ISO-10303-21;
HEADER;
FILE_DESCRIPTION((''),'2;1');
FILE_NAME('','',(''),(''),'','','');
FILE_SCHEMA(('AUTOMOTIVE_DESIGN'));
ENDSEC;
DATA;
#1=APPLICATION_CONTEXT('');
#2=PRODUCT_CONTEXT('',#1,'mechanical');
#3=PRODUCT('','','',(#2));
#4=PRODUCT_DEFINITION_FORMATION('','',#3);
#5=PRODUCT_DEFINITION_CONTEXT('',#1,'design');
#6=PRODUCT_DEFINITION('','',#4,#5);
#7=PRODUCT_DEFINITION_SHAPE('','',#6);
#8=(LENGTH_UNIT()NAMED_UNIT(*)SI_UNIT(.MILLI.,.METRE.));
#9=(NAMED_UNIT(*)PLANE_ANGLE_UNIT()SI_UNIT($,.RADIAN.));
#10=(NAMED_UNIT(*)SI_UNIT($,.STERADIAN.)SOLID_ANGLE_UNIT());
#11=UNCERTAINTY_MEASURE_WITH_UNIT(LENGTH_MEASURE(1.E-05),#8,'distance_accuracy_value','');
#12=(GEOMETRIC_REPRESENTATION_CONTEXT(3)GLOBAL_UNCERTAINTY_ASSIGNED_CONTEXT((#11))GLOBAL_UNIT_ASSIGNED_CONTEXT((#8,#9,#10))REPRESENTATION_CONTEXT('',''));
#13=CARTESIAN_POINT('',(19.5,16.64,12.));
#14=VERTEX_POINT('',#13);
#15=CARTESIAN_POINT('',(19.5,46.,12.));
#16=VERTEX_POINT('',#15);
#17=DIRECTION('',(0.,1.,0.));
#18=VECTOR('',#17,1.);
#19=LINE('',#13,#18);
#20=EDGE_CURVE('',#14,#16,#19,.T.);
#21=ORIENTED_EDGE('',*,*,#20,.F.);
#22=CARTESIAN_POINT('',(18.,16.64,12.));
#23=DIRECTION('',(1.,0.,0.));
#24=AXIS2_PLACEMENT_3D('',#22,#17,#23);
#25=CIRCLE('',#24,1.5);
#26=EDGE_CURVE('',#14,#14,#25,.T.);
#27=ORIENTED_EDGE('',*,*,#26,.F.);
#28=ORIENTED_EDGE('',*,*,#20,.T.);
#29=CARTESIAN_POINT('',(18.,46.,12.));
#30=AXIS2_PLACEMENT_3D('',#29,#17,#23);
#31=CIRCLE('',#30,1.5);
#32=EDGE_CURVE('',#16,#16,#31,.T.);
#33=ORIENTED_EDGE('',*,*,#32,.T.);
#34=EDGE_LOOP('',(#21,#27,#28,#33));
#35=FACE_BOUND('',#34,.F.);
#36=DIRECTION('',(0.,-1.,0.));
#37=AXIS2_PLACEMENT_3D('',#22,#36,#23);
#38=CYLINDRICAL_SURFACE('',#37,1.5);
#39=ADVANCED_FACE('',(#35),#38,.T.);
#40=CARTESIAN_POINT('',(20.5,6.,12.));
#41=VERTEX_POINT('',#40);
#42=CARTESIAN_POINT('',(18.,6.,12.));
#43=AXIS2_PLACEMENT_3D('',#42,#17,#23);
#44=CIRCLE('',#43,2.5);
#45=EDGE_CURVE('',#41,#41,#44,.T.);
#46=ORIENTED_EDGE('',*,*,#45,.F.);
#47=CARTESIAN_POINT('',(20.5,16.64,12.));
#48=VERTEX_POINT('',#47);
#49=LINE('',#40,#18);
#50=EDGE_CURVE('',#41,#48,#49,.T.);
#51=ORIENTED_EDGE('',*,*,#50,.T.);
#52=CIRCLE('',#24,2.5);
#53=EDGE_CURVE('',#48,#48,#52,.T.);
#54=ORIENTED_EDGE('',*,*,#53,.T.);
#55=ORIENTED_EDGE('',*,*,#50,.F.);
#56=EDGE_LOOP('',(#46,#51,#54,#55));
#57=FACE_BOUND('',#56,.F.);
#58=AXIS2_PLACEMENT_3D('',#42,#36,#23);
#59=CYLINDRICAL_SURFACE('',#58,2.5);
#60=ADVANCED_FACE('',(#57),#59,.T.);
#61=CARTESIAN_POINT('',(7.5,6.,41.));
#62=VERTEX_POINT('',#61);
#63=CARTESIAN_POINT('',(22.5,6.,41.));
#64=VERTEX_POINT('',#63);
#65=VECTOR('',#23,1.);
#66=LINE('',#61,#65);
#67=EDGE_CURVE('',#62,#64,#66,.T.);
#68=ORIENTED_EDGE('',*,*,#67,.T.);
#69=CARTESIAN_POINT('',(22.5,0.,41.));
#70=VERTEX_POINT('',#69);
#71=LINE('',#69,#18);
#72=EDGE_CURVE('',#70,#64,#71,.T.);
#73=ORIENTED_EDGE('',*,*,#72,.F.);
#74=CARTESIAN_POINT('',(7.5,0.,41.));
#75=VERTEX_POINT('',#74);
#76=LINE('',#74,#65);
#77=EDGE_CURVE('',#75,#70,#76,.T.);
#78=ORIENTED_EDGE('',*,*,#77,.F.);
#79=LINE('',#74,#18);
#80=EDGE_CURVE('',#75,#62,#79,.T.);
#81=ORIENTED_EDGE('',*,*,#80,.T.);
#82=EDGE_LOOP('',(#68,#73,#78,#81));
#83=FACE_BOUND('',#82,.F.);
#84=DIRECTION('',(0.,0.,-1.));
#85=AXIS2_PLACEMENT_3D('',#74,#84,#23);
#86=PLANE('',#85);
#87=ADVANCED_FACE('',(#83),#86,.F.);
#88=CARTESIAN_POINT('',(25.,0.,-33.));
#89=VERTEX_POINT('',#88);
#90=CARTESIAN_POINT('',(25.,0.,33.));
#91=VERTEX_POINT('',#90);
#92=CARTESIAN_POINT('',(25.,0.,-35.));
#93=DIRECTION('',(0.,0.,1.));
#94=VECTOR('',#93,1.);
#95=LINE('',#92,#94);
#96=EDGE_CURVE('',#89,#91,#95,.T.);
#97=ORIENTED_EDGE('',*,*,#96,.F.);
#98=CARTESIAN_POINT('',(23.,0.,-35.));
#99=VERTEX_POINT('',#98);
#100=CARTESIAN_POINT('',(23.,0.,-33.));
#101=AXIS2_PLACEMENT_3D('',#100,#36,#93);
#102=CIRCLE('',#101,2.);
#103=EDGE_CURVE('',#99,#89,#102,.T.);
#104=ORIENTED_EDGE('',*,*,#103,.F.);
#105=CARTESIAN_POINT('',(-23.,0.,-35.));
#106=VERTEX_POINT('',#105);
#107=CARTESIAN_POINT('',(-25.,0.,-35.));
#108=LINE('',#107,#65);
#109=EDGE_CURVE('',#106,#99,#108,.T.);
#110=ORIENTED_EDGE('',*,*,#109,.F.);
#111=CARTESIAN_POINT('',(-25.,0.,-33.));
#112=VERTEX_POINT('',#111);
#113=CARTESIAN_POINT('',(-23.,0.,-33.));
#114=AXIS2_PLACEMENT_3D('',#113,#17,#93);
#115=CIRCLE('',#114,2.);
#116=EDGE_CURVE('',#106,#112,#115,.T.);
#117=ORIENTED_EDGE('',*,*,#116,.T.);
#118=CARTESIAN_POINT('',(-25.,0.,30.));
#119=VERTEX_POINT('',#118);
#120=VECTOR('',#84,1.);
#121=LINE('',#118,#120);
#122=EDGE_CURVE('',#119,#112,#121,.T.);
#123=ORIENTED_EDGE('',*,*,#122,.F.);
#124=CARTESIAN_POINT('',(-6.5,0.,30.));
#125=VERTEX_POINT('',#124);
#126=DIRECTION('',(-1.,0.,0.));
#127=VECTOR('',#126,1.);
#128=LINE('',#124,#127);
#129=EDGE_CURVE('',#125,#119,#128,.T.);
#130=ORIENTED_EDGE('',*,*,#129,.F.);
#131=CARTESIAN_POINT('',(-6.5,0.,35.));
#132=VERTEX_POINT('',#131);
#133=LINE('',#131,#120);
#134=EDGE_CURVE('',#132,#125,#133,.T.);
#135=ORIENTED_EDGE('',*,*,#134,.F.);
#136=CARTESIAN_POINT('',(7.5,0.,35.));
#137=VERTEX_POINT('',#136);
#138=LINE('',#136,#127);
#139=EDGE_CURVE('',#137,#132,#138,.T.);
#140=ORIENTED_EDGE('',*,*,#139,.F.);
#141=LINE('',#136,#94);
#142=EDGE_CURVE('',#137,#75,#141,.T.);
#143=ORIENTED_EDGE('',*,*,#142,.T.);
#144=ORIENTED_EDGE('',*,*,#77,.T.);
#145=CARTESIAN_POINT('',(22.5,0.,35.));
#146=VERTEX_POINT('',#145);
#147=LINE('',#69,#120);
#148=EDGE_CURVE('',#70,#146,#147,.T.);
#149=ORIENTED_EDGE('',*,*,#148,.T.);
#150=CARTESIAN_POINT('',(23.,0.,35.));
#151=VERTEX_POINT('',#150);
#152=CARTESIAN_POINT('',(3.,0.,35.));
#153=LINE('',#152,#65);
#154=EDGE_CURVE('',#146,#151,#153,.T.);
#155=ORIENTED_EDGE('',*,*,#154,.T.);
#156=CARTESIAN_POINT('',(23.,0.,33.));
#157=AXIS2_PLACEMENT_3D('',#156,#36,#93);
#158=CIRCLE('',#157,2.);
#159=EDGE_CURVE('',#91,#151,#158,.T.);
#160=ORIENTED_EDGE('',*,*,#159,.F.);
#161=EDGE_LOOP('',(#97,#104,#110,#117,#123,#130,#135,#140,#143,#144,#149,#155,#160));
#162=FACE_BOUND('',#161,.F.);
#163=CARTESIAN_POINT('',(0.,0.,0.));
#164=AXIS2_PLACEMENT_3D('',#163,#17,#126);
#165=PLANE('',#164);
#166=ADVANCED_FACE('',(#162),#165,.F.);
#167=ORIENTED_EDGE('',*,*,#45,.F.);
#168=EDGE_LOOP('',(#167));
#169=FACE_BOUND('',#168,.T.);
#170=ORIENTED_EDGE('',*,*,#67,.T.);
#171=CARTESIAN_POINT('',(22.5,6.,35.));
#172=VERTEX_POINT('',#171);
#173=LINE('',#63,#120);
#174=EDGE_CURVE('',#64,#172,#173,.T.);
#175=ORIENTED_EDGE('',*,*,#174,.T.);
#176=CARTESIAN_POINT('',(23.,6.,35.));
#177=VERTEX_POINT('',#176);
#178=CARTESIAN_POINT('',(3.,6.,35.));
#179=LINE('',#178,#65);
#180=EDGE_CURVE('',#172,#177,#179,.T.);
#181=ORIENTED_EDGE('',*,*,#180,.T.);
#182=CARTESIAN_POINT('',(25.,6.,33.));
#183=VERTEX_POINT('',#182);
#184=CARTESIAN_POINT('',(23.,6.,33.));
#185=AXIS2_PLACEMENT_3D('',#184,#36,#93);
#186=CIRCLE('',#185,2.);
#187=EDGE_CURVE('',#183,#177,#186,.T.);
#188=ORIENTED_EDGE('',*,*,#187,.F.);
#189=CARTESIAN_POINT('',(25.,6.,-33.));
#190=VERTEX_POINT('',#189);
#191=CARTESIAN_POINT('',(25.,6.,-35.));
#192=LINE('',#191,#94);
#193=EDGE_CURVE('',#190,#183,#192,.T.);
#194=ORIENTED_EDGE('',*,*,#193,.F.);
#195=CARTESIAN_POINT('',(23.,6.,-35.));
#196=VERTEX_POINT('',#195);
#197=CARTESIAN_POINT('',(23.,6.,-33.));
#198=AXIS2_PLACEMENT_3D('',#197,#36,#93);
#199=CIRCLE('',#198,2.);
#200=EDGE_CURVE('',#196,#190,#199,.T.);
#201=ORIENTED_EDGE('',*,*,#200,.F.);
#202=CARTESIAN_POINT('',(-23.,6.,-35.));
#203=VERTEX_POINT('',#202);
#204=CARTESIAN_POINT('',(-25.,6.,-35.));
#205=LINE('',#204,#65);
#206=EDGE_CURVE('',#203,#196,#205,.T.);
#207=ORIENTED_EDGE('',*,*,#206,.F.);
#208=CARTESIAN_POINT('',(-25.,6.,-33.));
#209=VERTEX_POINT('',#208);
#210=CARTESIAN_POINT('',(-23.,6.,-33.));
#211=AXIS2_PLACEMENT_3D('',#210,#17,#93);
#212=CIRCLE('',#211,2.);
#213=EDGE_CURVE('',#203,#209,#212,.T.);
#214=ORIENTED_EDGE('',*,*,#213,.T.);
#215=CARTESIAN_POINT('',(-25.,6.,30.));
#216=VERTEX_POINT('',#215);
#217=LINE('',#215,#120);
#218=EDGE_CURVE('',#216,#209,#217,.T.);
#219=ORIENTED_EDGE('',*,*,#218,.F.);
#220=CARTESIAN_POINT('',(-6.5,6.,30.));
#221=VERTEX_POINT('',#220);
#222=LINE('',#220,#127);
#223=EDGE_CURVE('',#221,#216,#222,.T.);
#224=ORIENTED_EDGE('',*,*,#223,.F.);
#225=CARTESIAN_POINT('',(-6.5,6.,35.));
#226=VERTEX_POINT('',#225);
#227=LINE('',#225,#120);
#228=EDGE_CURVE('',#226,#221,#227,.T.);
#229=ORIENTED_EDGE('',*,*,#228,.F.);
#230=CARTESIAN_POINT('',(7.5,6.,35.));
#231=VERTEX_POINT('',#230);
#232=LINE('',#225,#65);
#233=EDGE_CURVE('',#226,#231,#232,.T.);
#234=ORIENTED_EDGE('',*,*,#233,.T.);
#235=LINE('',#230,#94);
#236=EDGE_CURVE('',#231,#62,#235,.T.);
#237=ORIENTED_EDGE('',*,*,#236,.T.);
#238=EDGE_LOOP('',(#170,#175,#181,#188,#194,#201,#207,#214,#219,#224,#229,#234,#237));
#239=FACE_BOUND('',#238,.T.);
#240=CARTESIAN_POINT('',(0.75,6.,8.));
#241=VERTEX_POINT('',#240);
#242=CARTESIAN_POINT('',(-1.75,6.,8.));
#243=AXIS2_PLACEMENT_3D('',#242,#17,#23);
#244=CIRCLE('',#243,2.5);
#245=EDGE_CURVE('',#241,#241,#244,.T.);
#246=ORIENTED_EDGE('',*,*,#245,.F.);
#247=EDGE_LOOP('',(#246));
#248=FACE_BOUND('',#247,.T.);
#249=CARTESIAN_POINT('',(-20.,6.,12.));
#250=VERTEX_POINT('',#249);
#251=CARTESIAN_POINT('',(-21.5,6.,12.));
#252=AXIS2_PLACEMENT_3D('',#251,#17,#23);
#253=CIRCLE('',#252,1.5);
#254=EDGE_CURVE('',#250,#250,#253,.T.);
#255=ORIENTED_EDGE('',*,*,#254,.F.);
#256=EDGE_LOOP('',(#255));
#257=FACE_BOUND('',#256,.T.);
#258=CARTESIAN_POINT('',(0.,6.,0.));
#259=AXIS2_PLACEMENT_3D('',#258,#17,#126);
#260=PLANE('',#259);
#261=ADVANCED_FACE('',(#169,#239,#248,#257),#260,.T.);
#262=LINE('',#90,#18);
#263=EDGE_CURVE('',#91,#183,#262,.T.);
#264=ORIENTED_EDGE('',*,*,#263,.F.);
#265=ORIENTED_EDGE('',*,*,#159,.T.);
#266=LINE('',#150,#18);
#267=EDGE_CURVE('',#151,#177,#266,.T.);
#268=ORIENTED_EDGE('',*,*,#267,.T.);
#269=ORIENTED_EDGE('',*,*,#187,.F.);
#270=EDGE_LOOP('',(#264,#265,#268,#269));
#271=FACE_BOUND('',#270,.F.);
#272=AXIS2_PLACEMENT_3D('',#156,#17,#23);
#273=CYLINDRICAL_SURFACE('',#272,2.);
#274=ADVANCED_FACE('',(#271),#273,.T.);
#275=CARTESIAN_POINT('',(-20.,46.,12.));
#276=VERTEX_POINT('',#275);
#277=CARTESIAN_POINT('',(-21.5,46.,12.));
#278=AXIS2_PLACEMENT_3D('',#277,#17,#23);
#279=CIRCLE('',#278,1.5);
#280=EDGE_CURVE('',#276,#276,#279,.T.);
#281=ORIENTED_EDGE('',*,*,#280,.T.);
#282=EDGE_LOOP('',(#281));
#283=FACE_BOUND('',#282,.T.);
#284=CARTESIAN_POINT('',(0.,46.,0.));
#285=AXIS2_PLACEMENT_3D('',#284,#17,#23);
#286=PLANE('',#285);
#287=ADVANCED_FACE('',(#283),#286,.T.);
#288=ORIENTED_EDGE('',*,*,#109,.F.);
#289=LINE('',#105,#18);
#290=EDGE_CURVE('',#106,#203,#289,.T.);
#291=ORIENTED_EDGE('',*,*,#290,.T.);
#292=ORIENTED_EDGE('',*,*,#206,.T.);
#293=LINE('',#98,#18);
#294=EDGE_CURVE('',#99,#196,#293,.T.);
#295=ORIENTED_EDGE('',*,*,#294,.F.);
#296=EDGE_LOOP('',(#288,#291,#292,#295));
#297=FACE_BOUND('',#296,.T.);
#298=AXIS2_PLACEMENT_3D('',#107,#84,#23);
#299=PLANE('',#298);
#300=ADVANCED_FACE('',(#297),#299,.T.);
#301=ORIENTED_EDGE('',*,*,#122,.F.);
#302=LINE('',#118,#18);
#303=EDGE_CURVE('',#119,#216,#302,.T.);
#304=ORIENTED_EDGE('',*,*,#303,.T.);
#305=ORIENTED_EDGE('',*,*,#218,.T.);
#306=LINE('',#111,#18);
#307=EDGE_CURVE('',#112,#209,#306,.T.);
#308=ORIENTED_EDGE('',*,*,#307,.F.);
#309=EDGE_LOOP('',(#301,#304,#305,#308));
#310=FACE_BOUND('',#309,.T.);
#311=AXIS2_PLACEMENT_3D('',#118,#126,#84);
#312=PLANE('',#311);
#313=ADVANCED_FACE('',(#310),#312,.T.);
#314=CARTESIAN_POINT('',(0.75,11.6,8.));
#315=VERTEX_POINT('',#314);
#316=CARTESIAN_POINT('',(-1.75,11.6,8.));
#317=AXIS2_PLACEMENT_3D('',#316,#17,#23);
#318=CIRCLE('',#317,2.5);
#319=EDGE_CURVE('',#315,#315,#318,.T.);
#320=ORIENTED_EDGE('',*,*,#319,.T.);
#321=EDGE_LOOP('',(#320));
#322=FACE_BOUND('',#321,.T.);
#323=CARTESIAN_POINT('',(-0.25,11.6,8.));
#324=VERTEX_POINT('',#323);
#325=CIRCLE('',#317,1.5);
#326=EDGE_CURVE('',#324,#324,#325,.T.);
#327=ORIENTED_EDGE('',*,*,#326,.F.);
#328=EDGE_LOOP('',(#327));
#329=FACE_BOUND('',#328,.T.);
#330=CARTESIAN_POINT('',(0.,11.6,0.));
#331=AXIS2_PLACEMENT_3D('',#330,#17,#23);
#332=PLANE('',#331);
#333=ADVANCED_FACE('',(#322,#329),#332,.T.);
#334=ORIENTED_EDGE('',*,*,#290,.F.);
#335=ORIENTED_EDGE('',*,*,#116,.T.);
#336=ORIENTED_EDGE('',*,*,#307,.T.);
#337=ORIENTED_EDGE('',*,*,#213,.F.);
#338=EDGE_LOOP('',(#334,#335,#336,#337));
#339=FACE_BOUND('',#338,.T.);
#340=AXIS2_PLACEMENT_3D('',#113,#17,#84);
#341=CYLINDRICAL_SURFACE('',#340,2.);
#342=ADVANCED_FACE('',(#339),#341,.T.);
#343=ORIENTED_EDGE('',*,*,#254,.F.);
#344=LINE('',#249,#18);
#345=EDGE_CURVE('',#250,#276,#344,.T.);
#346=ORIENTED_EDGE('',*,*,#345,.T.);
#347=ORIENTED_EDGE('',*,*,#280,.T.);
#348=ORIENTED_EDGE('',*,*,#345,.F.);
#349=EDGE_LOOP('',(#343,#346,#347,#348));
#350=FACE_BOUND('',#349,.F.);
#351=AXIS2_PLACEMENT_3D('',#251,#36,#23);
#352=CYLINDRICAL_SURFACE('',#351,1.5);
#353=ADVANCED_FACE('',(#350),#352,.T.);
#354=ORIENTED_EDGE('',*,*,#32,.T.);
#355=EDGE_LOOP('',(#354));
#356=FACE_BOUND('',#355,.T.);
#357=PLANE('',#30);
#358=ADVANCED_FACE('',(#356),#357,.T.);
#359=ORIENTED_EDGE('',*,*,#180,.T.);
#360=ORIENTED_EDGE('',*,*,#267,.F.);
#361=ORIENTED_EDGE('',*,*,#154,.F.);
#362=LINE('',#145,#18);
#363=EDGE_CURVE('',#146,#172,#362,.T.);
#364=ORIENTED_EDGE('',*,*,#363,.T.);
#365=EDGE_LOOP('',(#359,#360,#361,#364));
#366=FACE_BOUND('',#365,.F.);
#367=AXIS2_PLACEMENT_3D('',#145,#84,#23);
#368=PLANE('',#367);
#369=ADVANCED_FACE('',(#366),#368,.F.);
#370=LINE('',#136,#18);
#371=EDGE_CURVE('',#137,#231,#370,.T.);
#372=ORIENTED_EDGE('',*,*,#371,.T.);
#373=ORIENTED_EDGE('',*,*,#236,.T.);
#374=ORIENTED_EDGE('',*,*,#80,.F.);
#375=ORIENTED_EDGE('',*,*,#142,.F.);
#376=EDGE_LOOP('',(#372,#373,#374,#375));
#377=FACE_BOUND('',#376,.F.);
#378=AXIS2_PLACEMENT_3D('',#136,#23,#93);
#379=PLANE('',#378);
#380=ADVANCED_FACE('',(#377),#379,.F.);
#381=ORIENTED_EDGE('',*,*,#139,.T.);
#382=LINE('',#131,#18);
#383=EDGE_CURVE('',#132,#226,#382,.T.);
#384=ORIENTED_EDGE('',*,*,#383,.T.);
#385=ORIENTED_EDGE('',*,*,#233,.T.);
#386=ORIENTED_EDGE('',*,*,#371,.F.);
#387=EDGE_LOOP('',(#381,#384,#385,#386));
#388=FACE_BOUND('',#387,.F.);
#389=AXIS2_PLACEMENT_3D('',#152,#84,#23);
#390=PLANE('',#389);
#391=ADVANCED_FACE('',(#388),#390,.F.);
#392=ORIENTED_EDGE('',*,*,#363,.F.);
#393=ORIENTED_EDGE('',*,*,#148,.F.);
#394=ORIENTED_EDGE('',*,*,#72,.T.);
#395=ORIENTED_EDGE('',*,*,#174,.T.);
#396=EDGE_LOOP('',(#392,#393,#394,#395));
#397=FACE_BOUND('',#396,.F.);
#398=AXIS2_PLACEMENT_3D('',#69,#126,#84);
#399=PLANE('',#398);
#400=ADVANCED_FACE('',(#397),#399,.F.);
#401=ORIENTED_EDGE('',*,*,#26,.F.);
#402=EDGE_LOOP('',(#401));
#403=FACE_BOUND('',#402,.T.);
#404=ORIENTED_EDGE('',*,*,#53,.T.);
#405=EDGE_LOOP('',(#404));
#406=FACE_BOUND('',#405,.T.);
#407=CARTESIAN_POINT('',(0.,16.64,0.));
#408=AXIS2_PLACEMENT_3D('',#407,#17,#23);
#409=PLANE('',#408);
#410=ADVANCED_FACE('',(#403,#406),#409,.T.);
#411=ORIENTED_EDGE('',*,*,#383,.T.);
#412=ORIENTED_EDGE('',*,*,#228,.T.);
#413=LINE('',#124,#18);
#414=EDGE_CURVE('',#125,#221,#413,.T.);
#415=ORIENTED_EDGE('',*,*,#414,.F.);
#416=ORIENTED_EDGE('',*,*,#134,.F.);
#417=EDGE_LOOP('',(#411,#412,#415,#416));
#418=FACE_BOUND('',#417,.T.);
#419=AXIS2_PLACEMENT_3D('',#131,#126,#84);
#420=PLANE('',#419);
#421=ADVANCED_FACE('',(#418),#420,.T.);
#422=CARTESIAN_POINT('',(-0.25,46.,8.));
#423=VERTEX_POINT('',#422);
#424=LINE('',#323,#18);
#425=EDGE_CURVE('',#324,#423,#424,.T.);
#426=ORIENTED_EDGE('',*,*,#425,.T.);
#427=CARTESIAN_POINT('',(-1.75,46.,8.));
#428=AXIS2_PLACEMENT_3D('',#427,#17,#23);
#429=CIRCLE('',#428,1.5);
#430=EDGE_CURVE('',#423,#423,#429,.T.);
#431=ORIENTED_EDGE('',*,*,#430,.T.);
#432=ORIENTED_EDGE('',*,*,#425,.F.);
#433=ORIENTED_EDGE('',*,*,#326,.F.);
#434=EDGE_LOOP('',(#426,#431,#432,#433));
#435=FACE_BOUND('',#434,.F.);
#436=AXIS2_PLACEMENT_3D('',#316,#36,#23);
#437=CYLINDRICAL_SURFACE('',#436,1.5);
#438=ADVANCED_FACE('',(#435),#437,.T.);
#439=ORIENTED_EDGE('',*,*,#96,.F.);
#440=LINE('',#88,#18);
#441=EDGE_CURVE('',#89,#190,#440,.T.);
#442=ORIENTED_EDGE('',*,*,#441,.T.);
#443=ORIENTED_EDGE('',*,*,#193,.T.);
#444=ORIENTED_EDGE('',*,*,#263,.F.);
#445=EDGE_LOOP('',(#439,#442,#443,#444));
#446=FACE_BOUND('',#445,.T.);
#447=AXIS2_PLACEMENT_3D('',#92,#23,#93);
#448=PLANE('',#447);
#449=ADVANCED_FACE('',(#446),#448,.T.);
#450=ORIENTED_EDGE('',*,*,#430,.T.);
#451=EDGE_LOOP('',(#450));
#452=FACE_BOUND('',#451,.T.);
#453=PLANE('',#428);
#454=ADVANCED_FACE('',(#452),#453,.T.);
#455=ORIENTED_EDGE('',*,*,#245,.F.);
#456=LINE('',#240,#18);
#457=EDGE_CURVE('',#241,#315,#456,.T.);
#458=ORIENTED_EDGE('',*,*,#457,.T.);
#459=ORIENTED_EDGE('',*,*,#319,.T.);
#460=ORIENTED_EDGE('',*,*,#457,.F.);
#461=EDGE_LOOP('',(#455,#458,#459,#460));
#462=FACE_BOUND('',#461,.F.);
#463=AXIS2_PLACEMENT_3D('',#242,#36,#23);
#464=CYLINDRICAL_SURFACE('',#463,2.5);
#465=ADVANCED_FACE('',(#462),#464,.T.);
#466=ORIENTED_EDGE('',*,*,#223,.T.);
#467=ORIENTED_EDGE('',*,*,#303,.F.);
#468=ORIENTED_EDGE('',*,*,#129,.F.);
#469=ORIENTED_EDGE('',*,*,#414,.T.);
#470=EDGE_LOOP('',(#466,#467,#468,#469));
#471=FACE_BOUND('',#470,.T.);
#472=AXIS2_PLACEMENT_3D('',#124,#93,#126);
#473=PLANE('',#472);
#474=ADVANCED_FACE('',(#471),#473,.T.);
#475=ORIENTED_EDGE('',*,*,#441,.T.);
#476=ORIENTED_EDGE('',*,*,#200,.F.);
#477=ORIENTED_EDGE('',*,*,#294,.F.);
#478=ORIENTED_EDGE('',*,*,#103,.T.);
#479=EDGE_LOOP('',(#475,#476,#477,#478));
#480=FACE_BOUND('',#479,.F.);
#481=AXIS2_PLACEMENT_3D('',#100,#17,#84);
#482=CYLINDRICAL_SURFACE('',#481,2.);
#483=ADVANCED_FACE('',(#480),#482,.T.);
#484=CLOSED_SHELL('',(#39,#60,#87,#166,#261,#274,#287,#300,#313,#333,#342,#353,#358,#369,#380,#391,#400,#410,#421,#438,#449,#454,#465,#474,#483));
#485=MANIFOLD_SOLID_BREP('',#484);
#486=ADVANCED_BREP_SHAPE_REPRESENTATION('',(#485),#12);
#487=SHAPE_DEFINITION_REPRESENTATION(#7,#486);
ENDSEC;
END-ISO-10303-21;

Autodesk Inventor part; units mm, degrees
ref_plane "YZ Plane" through (0, 0, 0) normal (1, 0, 0) x (0, 1, 0)
ref_plane "XZ Plane" through (0, 0, 0) normal (0, 1, 0) x (-1, 0, 0)
ref_plane "XY Plane" through (0, 0, 0) normal (0, 0, 1) x (1, 0, 0)
sketch "Sketch2" plane through (0, 0, 0) normal (0, 1, 0) x (-1, 0, 0)
  line L0 (25, -35) -> (-25, -35)
  line L1 (-25, -35) -> (-25, 35)
  line L2 (25, 30) -> (25, -35)
  line L3 (25, -35) -> (-25, 35) construction
  line L4 (-25, -35) -> (25, 35) construction
  line L5 (12, 35) -> (-3, 35)
  line L6 (6.5, 35) -> (12, 35)
  line L7 (-3, 35) -> (-25, 35)
  line L8 (25, 35) -> (6.5, 35)
  line L9 (6.5, 35) -> (6.5, 30)
  line L10 (6.5, 30) -> (25, 30)
  line L11 (25, 30) -> (25, 35)
  line L12 (-22.5, 35) -> (-7.5, 35)
  line L13 (-7.5, 35) -> (-7.5, 41)
  line L14 (-7.5, 41) -> (-22.5, 41)
  line L15 (-22.5, 41) -> (-22.5, 35)
  point P0 (0, 0)
  point P1 (0, 0)
  point P2 (-7.5, 35)
  dimension "d0" = 50
  dimension "d1" = 70
  dimension "d16" = 18.5
  dimension "d17" = 5
  dimension "d58" = 2.5
  dimension "d59" = 15
  dimension "d60" = 6
extrude "Extrusion3" add sketch "Sketch2" along normal blind 6 contours L0 L1 L7 L5 L9 L10 L2 | L15 L14 L13 L7
fillet "Fillet1" radius 2 3 edges at (25, 3, -35) (-25, 3, -35) (25, 3, 35)
sketch "Sketch4" plane through (0, 6, 0) normal (0, 1, 0) x (1, 0, 0)
  circle A0 centre (-1.75, -8) radius 2.5
  line L0 (25, -33) -> (25, 33) projected
  circle A1 centre (-21.5, -12) radius 1.5
  line L1 (-25, 33) -> (-25, -30) projected
  circle A2 centre (18, -12) radius 2.5
  line L2 (-6.5, -35) -> (7.5, -35) projected
  point P0 (0, 0)
  dimension "d31" = 5
  dimension "d34" = 3
  dimension "d41" = 5
  dimension "d44" = 19.75
  dimension "d45" = 19.75
  dimension "d46" = 7
  dimension "d61" = 23
  dimension "d62" = 27
  dimension "d63" = 23
extrude "Extrusion5" add sketch "Sketch4" along normal blind 40 contours A1
extrude "Extrusion6" add sketch "Sketch4" along normal blind 5.6 contours A0
sketch "Sketch5" plane through (-1.75, 11.6, 8) normal (0, 1, 0) x (1, 0, 0)
  circle A0 centre (0, 0) radius 1.5
  point P0 (1.75, 8)
  dimension "d50" = 3
extrude "Extrusion7" add sketch "Sketch5" along normal blind 34.4
extrude "Extrusion8" add sketch "Sketch4" along normal blind 10.64 contours A2
sketch "Sketch6" plane through (18, 16.64, 12) normal (0, 1, 0) x (1, 0, 0)
  circle A0 centre (0, 0) radius 1.5
  point P0 (-18, 12)
  dimension "d55" = 3
extrude "Extrusion9" add sketch "Sketch6" along normal blind 29.36
properties part number "Pared_caja_reduccion"
